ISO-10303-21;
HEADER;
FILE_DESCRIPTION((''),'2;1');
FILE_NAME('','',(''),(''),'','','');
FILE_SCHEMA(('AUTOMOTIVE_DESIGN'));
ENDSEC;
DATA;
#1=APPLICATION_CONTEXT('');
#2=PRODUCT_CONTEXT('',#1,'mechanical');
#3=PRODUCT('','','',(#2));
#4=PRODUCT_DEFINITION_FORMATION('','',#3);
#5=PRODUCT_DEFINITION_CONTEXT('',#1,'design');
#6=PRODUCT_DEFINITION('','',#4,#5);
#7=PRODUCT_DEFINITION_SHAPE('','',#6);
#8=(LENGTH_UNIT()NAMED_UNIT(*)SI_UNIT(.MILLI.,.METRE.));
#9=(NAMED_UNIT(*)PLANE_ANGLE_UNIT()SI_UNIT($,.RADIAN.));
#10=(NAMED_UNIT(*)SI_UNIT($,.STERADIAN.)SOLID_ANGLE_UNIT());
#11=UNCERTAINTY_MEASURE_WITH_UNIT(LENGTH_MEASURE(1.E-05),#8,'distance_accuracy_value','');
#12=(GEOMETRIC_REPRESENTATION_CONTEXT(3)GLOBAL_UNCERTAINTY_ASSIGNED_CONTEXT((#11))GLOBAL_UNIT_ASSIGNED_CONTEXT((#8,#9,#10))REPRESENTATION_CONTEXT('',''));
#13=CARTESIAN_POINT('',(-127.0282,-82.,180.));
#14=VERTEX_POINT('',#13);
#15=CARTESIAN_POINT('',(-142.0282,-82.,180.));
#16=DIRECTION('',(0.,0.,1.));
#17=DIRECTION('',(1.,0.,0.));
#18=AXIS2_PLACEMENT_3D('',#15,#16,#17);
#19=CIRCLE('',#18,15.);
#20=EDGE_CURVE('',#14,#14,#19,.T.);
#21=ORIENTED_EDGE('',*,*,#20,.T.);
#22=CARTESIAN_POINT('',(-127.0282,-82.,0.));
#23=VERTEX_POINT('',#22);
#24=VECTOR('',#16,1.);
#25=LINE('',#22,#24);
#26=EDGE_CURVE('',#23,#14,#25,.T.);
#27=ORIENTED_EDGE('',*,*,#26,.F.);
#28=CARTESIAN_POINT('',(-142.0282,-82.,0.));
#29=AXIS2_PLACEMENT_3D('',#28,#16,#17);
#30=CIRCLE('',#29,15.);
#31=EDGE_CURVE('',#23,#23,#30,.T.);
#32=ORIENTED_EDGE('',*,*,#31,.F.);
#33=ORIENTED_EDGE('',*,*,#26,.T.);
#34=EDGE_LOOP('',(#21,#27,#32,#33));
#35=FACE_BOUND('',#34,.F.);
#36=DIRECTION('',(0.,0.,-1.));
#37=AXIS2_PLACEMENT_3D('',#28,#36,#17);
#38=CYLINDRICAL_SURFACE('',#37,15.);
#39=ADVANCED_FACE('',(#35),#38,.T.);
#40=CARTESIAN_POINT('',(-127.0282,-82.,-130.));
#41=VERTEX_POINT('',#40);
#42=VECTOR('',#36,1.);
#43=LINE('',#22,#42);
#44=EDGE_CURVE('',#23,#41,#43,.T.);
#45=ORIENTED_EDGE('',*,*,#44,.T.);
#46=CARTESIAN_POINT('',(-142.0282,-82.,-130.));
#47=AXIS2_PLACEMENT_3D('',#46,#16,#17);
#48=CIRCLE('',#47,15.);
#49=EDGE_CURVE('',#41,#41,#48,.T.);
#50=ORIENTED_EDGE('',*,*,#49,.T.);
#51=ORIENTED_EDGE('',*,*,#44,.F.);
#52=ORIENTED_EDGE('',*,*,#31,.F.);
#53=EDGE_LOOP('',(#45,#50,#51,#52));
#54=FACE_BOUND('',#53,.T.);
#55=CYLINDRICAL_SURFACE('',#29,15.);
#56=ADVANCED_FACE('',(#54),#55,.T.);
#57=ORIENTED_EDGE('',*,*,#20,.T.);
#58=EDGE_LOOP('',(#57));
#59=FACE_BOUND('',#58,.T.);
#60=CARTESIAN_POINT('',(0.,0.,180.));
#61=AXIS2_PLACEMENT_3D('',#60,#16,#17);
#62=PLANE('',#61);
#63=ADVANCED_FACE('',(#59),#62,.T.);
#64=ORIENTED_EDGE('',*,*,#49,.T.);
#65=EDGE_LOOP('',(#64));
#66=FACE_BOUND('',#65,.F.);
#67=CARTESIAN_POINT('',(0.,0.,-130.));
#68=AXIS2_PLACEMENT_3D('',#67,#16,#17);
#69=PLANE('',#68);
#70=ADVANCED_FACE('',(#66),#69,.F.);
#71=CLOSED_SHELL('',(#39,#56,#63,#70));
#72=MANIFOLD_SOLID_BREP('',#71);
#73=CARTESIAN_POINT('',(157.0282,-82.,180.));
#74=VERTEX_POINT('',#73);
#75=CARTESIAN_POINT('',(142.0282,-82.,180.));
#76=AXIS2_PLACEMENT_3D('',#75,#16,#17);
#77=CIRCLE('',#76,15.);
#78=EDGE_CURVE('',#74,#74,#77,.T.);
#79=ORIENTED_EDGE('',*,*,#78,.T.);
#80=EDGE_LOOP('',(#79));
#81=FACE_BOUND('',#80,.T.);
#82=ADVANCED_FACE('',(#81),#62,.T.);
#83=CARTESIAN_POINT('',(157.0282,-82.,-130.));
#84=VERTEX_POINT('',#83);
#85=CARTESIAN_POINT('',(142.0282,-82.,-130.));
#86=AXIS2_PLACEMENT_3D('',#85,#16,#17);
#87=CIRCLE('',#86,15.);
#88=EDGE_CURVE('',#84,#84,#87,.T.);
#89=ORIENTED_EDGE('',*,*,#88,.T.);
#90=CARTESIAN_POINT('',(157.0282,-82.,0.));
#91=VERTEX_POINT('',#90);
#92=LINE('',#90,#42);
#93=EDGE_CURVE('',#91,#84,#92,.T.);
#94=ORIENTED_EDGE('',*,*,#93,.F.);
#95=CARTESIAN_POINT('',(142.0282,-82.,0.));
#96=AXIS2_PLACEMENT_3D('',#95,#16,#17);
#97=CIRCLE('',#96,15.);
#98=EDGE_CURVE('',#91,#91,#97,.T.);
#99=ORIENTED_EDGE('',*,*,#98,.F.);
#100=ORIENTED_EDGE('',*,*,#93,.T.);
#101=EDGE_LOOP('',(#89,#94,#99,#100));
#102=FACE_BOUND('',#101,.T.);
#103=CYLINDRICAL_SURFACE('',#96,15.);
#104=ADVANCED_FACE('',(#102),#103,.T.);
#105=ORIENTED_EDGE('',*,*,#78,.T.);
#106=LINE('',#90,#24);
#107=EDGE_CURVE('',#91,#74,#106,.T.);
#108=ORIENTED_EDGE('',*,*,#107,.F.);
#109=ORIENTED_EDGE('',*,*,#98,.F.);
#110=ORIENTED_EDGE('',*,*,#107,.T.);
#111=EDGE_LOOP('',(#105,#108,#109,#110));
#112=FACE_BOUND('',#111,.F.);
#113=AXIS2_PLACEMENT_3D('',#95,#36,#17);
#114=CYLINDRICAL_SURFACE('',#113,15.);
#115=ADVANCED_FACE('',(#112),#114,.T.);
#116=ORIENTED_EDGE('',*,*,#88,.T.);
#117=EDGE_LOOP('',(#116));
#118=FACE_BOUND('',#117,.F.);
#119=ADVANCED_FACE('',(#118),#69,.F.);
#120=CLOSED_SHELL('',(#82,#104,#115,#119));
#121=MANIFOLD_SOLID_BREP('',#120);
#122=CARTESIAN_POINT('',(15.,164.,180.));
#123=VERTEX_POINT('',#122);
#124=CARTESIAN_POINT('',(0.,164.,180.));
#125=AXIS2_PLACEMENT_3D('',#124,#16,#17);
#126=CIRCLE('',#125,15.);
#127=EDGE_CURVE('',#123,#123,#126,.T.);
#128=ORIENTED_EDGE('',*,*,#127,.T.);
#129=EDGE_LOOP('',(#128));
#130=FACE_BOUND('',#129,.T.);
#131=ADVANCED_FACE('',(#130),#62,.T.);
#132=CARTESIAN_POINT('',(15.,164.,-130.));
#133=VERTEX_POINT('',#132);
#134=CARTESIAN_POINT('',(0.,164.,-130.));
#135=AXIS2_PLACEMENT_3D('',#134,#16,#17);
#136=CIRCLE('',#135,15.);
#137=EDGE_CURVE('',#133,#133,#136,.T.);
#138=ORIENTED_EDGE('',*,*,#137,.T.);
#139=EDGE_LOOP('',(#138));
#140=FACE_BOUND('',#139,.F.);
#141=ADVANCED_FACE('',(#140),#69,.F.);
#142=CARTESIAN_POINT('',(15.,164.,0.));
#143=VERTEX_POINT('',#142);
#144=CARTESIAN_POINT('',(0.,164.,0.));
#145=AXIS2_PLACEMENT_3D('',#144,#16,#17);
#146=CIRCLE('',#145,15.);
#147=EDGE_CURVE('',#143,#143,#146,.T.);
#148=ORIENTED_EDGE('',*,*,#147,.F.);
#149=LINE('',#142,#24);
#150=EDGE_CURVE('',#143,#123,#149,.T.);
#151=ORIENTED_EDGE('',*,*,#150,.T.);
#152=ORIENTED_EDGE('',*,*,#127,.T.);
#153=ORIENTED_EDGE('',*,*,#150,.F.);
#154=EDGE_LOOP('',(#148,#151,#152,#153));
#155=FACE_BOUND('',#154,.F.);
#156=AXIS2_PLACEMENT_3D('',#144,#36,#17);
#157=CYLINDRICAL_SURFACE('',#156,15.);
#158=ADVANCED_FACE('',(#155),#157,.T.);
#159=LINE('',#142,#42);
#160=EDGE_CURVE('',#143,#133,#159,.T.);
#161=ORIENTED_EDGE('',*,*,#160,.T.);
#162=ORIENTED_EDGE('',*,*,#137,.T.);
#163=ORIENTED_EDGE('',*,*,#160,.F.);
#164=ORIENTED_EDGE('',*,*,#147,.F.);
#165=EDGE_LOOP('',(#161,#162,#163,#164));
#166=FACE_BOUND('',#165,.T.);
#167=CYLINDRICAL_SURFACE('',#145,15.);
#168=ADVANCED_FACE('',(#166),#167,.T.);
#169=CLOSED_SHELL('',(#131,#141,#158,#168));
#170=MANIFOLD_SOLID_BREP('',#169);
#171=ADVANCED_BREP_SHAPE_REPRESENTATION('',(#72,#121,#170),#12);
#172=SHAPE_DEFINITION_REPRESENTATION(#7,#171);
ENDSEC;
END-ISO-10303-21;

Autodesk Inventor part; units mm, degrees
ref_plane "YZ Plane" through (0, 0, 0) normal (1, 0, 0) x (0, 1, 0)
ref_plane "XZ Plane" through (0, 0, 0) normal (0, 1, 0) x (-1, 0, 0)
ref_plane "XY Plane" through (0, 0, 0) normal (0, 0, 1) x (1, 0, 0)
sketch "Locate Rig Columns" plane through (0, 0, 0) normal (0, 0, 1) x (1, 0, 0)
  circle A0 centre (0, 0) radius 164 construction
  circle A1 centre (0, 164) radius 15
  circle A2 centre (-142.0282, -82) radius 15
  circle A3 centre (142.0282, -82) radius 15
  dimension "d5" = 328
  dimension "d0" = 30
  dimension "d3" = 360
extrude "Extrude Rig Columns" add sketch "Locate Rig Columns" along normal blind 180 and the other way blind 130
equation "\"d5\" = RigColumnsPCD"
equation "\"d0\" = RigColumnsDiameter"
equation "\"RigColumnsPCD\" = 328"
equation "\"RigColumnsDiameter\" = 30"
properties part number "Locate Rig Columns" material "Steel, Mild"
